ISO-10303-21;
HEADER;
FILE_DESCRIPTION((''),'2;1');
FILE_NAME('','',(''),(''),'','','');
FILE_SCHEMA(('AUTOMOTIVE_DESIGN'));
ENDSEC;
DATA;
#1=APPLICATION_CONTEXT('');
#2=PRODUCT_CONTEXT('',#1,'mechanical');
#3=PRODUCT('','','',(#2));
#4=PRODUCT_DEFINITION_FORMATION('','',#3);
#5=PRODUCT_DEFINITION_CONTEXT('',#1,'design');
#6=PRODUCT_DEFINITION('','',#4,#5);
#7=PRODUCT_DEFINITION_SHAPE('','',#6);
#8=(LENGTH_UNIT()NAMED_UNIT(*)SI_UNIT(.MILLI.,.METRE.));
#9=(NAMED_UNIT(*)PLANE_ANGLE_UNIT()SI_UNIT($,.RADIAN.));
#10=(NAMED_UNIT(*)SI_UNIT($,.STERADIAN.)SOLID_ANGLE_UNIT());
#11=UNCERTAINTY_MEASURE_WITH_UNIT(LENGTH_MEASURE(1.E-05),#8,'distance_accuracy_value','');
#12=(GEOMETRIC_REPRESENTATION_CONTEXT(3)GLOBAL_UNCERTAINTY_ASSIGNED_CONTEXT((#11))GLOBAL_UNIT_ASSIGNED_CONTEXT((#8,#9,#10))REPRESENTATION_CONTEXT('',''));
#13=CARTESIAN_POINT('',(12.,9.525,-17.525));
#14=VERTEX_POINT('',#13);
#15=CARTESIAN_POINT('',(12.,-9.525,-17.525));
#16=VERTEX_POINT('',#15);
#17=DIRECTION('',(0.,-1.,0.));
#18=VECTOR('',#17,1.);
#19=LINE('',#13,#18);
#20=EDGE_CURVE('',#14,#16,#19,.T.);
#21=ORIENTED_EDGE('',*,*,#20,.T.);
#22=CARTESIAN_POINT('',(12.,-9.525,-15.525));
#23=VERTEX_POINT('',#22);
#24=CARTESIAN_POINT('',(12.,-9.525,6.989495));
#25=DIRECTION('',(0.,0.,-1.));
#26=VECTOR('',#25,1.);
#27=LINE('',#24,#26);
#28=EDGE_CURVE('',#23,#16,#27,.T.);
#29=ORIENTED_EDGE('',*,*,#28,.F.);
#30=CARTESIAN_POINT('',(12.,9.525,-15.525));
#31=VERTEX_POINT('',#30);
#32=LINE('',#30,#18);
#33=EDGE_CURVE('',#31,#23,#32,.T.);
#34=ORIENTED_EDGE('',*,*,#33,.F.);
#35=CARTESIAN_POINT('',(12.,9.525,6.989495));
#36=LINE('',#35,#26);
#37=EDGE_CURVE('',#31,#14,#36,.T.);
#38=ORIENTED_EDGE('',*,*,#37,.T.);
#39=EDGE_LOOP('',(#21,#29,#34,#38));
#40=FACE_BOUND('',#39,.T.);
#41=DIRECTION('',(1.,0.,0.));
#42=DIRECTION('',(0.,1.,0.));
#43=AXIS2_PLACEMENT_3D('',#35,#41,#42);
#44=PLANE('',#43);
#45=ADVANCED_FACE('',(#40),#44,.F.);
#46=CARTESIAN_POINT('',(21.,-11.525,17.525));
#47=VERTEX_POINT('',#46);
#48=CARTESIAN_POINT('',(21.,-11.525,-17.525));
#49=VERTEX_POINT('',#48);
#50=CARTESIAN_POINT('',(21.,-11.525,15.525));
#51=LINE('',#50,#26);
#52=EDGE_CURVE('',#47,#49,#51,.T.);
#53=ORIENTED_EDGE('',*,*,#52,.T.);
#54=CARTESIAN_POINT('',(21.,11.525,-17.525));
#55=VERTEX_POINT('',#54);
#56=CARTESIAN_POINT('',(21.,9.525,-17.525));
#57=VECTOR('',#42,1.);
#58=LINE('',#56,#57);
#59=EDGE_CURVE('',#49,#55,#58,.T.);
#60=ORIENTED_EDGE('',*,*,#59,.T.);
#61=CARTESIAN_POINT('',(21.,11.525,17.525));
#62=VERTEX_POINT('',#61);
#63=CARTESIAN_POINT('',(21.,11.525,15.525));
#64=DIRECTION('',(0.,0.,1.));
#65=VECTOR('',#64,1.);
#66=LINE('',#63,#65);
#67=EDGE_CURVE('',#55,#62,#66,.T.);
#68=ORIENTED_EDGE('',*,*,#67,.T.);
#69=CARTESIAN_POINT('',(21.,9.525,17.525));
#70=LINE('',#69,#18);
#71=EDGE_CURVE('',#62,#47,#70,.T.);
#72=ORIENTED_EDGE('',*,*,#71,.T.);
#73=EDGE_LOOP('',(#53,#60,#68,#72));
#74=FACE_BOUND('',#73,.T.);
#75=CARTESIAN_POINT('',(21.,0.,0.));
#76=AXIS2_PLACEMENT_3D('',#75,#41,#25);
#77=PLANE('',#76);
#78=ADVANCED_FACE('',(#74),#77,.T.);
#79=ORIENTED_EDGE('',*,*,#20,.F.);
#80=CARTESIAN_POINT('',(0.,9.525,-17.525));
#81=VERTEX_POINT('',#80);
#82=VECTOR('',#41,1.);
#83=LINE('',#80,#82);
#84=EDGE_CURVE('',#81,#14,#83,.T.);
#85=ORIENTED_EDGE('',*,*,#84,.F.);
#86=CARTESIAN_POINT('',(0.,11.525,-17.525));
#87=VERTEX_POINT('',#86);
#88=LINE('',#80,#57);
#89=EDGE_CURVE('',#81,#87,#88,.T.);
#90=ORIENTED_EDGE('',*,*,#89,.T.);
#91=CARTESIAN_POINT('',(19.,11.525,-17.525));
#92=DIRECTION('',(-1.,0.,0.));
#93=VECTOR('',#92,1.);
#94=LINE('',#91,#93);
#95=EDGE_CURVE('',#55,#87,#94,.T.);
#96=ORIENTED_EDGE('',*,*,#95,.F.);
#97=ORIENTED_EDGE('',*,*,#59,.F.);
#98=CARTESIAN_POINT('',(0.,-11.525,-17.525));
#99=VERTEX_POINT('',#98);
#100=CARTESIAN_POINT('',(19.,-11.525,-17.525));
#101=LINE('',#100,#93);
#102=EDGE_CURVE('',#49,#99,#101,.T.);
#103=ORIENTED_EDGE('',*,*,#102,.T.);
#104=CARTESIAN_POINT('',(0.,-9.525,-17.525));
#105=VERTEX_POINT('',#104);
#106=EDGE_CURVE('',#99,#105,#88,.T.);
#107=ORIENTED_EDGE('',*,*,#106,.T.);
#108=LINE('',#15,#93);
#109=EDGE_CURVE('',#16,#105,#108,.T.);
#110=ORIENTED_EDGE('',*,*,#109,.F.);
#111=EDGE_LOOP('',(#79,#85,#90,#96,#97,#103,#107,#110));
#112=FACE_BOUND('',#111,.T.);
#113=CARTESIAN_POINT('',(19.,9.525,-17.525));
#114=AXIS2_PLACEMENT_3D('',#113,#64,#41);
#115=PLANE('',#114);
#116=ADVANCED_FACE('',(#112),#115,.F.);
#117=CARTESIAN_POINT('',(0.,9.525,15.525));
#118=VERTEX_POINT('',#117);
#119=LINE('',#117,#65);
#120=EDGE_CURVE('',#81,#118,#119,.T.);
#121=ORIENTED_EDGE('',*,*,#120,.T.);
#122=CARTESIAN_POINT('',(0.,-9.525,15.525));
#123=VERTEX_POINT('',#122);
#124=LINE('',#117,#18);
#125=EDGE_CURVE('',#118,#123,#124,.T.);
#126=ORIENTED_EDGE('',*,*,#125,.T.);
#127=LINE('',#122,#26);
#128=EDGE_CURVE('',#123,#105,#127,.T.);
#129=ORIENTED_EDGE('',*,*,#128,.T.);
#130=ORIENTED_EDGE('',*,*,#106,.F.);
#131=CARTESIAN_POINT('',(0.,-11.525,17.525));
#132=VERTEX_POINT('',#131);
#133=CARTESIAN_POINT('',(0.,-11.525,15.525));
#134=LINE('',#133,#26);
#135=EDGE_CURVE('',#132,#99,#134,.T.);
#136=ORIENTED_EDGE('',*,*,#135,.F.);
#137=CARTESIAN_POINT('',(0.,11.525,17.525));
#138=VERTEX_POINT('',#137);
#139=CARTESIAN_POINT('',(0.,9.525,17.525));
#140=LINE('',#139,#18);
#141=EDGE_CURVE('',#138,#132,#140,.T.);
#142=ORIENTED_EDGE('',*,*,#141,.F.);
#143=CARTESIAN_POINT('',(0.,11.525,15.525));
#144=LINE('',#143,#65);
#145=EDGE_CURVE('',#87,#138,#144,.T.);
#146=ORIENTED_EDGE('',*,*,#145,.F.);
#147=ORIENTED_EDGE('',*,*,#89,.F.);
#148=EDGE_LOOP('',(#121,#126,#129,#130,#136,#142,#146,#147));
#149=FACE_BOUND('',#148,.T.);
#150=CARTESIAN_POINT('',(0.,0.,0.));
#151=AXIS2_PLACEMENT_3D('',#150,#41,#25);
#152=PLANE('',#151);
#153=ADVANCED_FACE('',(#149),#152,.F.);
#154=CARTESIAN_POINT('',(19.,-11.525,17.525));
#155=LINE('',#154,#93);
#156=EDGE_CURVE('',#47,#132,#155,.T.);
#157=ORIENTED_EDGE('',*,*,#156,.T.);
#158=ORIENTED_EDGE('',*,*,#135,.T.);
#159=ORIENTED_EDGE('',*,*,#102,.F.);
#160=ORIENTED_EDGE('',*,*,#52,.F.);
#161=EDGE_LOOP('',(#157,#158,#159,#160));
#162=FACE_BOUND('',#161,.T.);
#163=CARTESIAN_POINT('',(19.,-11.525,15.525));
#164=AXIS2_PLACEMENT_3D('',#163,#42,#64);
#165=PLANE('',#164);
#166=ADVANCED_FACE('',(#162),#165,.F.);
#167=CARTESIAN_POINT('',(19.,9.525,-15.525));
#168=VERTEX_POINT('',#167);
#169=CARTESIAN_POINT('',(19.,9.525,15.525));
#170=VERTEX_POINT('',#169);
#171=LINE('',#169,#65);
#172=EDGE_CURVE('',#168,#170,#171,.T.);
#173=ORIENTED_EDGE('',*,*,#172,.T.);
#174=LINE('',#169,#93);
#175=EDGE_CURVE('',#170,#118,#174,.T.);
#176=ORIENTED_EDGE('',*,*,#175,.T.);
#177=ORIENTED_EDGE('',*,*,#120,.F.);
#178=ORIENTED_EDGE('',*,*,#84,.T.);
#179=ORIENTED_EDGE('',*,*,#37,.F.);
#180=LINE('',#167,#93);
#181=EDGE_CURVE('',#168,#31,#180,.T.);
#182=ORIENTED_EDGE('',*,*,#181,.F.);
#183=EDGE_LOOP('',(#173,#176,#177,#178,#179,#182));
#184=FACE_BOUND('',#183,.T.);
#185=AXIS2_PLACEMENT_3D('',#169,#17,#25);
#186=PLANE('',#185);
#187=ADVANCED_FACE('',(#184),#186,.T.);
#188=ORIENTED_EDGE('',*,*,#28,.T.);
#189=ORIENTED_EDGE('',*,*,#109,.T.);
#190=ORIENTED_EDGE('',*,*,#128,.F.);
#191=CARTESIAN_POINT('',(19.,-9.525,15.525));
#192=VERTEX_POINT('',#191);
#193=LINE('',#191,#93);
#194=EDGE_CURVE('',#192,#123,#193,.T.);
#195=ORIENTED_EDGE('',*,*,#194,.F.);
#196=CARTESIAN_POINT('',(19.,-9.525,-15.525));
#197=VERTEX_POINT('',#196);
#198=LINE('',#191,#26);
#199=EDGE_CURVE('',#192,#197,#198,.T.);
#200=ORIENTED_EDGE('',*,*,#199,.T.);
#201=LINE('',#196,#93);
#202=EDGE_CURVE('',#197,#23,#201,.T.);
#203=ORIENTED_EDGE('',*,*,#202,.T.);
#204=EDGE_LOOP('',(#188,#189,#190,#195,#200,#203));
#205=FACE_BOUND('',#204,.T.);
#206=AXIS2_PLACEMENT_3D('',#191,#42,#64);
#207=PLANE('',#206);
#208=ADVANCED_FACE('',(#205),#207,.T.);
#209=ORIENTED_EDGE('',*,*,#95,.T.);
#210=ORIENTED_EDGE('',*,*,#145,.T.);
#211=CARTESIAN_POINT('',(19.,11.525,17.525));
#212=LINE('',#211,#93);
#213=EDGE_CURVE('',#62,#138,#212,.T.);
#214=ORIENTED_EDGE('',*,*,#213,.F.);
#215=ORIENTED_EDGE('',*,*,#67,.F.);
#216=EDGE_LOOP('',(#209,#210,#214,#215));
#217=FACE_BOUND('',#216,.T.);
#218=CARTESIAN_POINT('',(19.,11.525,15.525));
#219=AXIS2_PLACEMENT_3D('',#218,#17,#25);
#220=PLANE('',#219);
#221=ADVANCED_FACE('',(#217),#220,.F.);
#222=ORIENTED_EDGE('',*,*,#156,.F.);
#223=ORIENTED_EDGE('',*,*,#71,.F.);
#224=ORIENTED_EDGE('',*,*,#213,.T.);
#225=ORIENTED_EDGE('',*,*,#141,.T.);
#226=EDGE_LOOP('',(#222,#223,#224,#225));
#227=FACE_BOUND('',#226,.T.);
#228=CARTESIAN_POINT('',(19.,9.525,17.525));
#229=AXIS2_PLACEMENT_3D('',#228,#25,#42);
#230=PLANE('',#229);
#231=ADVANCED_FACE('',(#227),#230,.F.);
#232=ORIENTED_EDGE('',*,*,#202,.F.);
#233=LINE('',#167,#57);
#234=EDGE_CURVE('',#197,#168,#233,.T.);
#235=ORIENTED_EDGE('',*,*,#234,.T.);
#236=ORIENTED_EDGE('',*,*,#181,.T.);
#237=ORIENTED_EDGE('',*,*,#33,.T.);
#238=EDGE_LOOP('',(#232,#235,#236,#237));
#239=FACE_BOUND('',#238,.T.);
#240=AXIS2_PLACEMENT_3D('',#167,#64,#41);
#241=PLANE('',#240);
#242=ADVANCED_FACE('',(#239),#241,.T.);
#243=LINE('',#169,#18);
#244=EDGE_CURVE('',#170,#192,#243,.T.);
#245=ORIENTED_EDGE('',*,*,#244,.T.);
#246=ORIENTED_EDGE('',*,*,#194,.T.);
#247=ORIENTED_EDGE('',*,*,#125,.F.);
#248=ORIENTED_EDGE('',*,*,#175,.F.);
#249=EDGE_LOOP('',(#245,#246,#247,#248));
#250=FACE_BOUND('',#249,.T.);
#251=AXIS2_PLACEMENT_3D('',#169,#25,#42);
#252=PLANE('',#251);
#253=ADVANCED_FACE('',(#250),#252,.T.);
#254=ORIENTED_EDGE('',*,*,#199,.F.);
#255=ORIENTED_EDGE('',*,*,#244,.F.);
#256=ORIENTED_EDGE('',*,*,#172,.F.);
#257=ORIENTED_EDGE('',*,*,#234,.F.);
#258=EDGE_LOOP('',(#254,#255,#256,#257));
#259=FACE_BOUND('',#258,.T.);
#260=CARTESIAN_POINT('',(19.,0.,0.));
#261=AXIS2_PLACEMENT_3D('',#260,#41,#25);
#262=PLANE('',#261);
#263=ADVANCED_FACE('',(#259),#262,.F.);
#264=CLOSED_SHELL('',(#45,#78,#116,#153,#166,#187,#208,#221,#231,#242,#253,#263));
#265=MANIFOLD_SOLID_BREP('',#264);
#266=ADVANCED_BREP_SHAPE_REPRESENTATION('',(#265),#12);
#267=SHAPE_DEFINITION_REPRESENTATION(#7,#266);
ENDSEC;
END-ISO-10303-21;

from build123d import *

# Parameters (mm, degrees)
SKETCH4_W           = 31.05
SKETCH4_H           = 19.05
BOSS_EXTRUDE1_DEPTH = 19
SHELL1_T            = 2
SKETCH5_W           = 12
SKETCH5_H           = 19.05
CUT_EXTRUDE1_DEPTH  = 2


with BuildPart() as part:
    # Sketch4 → Boss-Extrude1 (new body)
    with BuildSketch(Plane(origin=(0, 0, 0), x_dir=(0, 0, -1), z_dir=(1, 0, 0))):
        Rectangle(SKETCH4_W, SKETCH4_H)
    extrude(amount=BOSS_EXTRUDE1_DEPTH)

    # Shell1
    shell1_openings = [part.faces().sort_by_distance(p)[0] for p in [
        (0, 0, 0),
    ]]
    offset(amount=SHELL1_T, openings=shell1_openings, kind=Kind.INTERSECTION)

    # Sketch5 → Cut-Extrude1 (cut)
    with BuildSketch(Plane(origin=(0, 0, -17.525), x_dir=(-1, 0, 0), z_dir=(0, 0, -1))):
        with Locations((-6, 0)):
            Rectangle(SKETCH5_W, SKETCH5_H)
    extrude(amount=-CUT_EXTRUDE1_DEPTH, mode=Mode.SUBTRACT)


solid = part.part
